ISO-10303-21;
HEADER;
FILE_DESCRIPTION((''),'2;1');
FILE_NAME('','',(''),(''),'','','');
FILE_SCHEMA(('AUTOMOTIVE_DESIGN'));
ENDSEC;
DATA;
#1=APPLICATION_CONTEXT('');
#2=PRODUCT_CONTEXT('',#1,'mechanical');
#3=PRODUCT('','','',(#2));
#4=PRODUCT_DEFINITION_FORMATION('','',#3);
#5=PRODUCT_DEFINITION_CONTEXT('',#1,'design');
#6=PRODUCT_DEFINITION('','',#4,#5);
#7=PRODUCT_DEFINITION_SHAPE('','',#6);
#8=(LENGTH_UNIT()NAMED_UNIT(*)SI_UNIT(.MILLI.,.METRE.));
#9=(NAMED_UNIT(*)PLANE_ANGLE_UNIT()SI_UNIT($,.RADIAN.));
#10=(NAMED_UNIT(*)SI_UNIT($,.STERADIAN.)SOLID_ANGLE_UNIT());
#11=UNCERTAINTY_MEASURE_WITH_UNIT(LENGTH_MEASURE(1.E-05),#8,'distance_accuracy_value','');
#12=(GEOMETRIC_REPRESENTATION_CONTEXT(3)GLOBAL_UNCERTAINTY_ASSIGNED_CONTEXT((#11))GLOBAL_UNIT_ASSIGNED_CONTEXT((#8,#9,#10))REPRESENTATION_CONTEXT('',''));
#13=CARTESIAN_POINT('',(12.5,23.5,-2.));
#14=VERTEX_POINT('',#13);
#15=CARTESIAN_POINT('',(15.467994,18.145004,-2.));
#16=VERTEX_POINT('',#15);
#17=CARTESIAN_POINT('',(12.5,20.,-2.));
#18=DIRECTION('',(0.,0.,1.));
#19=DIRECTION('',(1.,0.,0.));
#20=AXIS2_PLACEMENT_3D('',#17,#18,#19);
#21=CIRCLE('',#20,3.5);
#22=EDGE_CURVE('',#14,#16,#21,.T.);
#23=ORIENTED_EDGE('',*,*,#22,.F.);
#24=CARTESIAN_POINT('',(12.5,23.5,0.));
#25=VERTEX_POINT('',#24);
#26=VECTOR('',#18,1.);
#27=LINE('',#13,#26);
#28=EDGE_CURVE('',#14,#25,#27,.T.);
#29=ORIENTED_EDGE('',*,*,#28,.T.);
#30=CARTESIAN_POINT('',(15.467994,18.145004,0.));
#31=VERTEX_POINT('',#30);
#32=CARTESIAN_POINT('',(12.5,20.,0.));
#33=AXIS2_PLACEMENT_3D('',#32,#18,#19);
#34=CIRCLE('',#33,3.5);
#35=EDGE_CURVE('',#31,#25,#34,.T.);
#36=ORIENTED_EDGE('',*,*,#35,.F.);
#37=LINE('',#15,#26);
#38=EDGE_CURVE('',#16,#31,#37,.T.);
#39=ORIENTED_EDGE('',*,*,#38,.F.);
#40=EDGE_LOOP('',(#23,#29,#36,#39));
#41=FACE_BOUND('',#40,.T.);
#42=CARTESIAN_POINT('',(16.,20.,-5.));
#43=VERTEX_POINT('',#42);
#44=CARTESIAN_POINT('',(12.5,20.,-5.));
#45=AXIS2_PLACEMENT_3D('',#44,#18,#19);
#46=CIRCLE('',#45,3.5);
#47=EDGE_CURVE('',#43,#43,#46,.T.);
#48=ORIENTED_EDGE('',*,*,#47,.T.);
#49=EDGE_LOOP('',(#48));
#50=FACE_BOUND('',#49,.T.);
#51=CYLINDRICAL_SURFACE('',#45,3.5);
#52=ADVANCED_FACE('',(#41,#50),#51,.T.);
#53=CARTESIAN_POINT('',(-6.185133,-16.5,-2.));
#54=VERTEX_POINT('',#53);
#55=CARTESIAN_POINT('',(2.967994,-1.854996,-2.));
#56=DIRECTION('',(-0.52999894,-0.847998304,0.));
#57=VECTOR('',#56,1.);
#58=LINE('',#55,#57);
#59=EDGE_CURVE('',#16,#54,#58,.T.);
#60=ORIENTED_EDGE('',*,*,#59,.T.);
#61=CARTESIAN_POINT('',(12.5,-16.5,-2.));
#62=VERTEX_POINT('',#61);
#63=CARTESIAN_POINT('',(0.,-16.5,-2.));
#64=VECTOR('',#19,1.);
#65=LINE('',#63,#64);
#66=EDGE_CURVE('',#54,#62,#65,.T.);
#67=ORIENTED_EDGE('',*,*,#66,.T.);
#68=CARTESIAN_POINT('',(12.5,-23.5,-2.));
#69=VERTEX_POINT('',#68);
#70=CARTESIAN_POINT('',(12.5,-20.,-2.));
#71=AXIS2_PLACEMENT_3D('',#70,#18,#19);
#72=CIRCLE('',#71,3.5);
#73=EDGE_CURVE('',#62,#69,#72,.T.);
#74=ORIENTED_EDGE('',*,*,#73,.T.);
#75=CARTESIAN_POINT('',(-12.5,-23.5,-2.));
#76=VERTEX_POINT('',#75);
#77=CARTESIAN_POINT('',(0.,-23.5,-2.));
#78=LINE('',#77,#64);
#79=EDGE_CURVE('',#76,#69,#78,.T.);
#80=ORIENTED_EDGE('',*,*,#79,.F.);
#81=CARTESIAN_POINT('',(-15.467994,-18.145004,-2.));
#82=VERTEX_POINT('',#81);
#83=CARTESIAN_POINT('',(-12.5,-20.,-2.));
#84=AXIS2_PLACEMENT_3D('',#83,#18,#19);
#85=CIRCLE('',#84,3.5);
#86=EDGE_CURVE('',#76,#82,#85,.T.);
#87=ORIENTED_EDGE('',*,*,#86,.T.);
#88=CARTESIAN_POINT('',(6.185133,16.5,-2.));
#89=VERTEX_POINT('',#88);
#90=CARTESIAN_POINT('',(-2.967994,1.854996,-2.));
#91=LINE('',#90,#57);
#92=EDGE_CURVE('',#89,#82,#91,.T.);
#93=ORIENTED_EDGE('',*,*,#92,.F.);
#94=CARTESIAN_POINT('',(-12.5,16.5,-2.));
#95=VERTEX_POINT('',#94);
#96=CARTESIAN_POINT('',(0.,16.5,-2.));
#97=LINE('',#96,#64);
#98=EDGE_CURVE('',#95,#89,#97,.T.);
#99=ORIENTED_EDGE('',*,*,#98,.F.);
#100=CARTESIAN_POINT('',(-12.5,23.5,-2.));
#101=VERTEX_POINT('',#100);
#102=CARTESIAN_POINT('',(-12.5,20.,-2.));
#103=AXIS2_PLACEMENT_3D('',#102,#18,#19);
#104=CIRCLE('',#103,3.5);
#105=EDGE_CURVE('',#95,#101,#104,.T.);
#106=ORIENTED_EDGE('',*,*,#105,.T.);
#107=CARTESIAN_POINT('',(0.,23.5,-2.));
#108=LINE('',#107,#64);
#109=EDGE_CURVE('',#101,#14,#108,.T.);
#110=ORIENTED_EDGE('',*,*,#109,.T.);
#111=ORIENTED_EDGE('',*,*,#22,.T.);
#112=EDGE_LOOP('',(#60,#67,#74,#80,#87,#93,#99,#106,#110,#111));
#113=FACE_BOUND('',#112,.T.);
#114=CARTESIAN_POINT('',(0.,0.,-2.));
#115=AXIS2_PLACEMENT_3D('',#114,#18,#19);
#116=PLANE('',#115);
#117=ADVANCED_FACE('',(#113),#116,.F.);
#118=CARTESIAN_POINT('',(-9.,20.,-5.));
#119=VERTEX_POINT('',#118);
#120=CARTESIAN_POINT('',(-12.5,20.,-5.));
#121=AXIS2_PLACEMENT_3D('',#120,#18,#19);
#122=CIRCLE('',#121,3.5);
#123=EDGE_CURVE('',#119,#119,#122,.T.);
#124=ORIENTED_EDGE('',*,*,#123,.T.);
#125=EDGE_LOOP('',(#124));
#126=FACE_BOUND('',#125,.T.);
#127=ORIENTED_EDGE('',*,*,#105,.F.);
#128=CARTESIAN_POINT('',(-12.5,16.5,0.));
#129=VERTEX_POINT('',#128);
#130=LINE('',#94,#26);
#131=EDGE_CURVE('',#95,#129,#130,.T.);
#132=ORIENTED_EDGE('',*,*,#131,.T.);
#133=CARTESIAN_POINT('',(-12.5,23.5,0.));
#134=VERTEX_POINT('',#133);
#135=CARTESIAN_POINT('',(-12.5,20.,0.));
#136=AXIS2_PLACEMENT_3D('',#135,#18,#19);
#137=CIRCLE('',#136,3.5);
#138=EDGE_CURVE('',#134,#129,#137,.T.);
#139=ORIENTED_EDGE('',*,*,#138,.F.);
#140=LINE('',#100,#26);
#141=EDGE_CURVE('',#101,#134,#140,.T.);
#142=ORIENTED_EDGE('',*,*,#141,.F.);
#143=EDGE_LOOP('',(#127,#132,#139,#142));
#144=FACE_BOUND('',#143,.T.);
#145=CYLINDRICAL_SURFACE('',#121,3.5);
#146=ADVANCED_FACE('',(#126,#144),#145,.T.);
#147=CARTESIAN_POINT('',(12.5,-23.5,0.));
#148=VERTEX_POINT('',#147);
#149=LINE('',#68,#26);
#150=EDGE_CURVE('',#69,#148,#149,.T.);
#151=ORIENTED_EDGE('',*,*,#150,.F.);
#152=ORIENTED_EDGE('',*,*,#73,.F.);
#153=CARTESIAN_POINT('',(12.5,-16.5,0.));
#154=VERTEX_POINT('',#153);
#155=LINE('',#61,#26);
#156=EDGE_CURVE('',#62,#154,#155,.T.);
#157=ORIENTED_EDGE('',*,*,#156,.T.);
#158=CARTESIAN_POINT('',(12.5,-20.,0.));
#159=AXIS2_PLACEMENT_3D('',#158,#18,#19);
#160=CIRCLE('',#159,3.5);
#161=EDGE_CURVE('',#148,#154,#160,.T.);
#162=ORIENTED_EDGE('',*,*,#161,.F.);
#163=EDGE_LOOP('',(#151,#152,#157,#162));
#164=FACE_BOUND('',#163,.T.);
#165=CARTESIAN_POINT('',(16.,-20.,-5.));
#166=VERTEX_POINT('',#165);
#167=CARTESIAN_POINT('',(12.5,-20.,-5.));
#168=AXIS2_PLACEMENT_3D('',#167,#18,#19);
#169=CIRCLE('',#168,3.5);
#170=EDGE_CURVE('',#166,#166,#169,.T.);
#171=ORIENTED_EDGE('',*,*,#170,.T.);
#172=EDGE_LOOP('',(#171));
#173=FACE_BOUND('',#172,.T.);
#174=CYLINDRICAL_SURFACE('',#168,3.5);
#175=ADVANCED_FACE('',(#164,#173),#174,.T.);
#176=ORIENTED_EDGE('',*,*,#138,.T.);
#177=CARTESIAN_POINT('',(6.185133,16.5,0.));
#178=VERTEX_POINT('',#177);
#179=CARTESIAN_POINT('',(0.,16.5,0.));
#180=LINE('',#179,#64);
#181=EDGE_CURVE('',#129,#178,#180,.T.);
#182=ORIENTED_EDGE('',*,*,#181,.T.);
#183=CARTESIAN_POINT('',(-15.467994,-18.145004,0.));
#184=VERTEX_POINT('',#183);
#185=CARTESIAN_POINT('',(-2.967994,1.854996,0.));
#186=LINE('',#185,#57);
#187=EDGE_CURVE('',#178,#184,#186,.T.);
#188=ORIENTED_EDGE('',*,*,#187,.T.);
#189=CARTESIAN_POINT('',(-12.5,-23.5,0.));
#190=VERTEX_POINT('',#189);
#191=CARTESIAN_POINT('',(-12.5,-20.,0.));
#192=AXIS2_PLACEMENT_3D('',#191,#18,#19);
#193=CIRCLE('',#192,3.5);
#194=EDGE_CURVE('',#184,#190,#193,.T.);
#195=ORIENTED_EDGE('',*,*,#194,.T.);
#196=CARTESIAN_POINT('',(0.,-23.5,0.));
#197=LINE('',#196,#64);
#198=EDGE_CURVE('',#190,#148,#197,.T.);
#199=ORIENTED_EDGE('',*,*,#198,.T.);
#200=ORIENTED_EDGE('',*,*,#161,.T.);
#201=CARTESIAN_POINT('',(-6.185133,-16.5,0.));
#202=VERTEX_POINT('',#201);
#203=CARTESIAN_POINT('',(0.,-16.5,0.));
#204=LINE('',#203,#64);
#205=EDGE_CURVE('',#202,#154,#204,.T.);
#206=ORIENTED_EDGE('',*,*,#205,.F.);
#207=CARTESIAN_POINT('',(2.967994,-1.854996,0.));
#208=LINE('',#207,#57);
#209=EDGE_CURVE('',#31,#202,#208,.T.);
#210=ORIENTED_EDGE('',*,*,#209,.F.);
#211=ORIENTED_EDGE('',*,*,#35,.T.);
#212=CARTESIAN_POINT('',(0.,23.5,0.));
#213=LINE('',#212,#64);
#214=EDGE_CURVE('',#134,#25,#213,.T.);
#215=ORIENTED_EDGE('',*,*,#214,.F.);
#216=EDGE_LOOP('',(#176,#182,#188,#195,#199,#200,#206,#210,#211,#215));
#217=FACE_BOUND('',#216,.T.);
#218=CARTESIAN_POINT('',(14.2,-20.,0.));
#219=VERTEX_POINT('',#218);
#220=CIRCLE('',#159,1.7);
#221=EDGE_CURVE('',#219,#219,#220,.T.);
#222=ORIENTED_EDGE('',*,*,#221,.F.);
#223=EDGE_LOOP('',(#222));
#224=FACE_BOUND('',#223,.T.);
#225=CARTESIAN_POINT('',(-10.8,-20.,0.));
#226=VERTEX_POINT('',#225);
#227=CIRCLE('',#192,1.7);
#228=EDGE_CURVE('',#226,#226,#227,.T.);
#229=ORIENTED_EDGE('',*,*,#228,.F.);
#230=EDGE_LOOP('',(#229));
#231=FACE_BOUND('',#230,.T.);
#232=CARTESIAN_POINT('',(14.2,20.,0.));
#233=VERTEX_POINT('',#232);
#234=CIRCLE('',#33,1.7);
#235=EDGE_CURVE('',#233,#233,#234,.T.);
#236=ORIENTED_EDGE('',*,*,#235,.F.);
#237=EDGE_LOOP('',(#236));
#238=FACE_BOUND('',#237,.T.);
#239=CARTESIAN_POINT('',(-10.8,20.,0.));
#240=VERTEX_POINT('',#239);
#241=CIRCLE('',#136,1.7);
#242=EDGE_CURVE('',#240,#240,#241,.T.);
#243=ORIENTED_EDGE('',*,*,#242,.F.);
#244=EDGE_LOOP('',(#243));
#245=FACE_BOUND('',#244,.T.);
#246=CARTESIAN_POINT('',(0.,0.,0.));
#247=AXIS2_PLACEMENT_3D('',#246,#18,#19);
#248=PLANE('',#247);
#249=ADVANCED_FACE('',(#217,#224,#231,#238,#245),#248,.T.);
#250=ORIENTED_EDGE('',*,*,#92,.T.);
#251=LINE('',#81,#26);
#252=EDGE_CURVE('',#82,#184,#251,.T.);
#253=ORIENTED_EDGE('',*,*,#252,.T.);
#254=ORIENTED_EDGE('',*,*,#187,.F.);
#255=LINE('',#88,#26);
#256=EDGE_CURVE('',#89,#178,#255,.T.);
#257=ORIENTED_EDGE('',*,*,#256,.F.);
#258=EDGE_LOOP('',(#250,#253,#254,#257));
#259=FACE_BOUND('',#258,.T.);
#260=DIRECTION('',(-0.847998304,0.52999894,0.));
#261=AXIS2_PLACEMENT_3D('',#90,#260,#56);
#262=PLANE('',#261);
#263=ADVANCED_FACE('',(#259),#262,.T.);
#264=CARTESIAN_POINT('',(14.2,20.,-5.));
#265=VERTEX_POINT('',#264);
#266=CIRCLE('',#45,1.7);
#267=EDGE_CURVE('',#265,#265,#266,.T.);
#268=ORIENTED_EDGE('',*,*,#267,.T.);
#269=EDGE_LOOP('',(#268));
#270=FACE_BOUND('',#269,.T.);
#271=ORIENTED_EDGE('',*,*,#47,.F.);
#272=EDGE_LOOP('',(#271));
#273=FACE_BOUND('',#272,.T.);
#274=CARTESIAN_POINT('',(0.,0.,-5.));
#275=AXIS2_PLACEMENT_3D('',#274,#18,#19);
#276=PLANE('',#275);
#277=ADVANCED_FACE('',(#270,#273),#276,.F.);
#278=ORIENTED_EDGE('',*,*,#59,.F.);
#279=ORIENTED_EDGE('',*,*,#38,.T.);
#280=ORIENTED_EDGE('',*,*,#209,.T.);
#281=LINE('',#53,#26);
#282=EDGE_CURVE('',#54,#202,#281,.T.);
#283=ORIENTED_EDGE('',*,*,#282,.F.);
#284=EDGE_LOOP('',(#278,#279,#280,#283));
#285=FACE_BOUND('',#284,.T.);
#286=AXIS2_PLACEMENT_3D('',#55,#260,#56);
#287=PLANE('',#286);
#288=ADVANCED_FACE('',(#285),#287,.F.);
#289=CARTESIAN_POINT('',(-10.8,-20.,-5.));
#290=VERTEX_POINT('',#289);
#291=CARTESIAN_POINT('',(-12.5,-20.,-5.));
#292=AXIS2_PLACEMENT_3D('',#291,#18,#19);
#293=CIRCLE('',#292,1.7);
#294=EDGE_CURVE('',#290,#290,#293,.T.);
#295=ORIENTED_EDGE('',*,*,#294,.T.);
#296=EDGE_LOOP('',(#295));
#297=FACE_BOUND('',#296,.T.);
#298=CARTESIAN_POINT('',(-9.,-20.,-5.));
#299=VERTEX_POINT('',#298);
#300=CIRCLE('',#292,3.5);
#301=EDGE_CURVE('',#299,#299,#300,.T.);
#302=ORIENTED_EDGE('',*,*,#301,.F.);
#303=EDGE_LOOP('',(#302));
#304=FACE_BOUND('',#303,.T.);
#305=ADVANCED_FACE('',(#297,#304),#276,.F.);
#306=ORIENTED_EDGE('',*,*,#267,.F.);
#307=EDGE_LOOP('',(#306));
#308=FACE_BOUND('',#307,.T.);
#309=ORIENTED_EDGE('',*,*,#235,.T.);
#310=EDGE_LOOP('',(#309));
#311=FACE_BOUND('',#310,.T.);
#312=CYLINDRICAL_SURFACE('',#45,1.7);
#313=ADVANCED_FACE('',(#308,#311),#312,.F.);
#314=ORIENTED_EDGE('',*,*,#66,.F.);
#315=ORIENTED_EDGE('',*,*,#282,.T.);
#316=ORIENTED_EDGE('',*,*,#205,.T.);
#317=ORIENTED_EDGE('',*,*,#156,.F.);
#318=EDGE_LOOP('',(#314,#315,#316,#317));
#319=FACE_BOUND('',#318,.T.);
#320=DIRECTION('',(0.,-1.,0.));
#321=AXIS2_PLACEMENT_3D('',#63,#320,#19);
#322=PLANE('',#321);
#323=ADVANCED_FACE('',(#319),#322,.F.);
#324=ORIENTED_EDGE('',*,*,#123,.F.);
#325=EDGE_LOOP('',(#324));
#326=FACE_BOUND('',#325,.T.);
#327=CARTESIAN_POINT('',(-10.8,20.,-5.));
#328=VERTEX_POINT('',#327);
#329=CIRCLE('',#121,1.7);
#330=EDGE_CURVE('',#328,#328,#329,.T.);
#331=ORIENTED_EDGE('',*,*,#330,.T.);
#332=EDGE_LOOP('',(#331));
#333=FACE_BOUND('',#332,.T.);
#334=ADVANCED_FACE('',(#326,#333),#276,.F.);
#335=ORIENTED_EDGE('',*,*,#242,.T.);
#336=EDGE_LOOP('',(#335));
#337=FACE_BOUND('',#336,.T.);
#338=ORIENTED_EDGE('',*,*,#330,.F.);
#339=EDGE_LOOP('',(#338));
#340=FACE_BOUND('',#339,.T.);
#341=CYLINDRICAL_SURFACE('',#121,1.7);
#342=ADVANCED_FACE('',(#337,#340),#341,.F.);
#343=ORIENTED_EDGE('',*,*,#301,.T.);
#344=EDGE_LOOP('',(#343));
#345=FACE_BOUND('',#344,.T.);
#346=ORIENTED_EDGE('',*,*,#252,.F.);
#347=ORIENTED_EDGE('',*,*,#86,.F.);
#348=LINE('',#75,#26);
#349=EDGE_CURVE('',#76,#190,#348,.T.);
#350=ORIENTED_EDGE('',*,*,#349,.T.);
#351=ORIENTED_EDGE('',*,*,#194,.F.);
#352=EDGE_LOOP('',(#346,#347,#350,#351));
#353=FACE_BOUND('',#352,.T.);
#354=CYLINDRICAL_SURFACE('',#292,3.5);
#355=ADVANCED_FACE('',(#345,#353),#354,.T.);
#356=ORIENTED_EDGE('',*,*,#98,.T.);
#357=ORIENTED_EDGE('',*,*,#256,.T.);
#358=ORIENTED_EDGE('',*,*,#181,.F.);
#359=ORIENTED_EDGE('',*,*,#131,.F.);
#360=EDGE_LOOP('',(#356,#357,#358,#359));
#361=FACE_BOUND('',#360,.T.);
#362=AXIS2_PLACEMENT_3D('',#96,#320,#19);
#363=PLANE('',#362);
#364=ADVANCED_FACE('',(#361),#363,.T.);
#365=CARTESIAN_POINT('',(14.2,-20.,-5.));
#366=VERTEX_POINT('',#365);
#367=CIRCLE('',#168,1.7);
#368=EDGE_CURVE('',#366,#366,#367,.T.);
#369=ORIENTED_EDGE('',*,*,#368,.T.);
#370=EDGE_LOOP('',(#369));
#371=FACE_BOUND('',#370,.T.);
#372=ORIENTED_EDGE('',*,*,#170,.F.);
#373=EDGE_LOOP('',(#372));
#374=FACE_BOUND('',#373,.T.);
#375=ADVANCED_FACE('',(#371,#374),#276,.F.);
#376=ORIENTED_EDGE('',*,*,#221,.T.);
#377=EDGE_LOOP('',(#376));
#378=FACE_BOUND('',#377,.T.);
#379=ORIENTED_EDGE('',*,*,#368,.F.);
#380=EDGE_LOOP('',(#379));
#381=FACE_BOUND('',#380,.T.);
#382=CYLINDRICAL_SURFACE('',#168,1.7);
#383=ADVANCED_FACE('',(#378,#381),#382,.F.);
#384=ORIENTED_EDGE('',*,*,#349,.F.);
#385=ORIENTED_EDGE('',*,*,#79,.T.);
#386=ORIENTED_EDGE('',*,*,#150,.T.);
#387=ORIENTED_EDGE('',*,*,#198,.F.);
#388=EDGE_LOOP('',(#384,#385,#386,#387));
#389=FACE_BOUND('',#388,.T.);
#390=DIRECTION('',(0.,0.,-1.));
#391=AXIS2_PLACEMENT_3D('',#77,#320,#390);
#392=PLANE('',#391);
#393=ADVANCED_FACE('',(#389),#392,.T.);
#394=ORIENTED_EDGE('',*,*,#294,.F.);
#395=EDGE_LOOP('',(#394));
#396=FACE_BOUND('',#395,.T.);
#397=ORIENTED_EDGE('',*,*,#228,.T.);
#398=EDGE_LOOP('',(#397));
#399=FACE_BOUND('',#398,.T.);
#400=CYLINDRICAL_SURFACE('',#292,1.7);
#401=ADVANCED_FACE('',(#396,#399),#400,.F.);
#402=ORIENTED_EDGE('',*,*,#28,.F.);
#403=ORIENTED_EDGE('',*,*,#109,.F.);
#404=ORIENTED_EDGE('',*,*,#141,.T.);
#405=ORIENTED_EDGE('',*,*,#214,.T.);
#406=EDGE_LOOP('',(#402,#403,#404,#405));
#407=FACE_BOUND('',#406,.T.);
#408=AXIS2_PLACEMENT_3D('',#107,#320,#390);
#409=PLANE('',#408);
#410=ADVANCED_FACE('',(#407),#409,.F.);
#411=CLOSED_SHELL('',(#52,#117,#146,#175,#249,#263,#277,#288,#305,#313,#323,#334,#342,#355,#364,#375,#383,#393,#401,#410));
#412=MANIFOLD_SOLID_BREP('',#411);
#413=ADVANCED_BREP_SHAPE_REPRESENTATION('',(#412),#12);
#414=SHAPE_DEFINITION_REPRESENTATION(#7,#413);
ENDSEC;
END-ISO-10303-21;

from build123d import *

# Parameters (mm, degrees)
EXTRUDE_945_DEPTH  = 2
SKETCH_1_3_R       = 3.5
SKETCH_1_3_R_2     = 1.7
EXTRUDE_1017_DEPTH = 5


with BuildPart() as part:
    # Эскиз1 → Extrude 945 (new body)
    with BuildSketch(Plane.XY):
        with BuildLine():
            Line((12.5, 23.5), (-12.5, 23.5))
            ThreePointArc((-12.5, 23.5), (-10.025126266, 22.474873734), (-9, 20))
            ThreePointArc((-9, 20), (-10.025126266, 17.525126266), (-12.5, 16.5))
            Line((-12.5, 16.5), (6.185133255, 16.5))
            Line((6.185133255, 16.5), (-15.467994064, -18.14500371))
            ThreePointArc((-15.467994064, -18.14500371), (-11.535111204, -16.635629388), (-9, -20))
            ThreePointArc((-9, -20), (-10.025126266, -22.474873734), (-12.5, -23.5))
            Line((-12.5, -23.5), (12.5, -23.5))
            ThreePointArc((12.5, -23.5), (9, -20), (12.5, -16.5))
            Line((12.5, -16.5), (-6.185133255, -16.5))
            Line((-6.185133255, -16.5), (15.467994064, 18.14500371))
            ThreePointArc((15.467994064, 18.14500371), (9.438751316, 18.303310137), (12.5, 23.5))
        make_face()
    extrude(amount=-EXTRUDE_945_DEPTH)

    # Эскиз1<3> → Extrude 1017 (add)
    # profile 1 of 4: a face of its own
    with BuildSketch(Plane.XY):
        with Locations((12.5, 20)):
            Circle(SKETCH_1_3_R)
        with Locations((12.5, 20)):
            Circle(SKETCH_1_3_R_2, mode=Mode.SUBTRACT)
    # profile 2 of 4: a face of its own
    with BuildSketch(Plane.XY):
        with Locations((12.5, -20)):
            Circle(SKETCH_1_3_R)
        with Locations((12.5, -20)):
            Circle(SKETCH_1_3_R_2, mode=Mode.SUBTRACT)
    # profile 3 of 4: a face of its own
    with BuildSketch(Plane.XY):
        with Locations((-12.5, -20)):
            Circle(SKETCH_1_3_R)
        with Locations((-12.5, -20)):
            Circle(SKETCH_1_3_R_2, mode=Mode.SUBTRACT)
    # profile 4 of 4: a face of its own
    with BuildSketch(Plane.XY):
        with Locations((-12.5, 20)):
            Circle(SKETCH_1_3_R)
        with Locations((-12.5, 20)):
            Circle(SKETCH_1_3_R_2, mode=Mode.SUBTRACT)
    extrude(amount=-EXTRUDE_1017_DEPTH)


solid = part.part
